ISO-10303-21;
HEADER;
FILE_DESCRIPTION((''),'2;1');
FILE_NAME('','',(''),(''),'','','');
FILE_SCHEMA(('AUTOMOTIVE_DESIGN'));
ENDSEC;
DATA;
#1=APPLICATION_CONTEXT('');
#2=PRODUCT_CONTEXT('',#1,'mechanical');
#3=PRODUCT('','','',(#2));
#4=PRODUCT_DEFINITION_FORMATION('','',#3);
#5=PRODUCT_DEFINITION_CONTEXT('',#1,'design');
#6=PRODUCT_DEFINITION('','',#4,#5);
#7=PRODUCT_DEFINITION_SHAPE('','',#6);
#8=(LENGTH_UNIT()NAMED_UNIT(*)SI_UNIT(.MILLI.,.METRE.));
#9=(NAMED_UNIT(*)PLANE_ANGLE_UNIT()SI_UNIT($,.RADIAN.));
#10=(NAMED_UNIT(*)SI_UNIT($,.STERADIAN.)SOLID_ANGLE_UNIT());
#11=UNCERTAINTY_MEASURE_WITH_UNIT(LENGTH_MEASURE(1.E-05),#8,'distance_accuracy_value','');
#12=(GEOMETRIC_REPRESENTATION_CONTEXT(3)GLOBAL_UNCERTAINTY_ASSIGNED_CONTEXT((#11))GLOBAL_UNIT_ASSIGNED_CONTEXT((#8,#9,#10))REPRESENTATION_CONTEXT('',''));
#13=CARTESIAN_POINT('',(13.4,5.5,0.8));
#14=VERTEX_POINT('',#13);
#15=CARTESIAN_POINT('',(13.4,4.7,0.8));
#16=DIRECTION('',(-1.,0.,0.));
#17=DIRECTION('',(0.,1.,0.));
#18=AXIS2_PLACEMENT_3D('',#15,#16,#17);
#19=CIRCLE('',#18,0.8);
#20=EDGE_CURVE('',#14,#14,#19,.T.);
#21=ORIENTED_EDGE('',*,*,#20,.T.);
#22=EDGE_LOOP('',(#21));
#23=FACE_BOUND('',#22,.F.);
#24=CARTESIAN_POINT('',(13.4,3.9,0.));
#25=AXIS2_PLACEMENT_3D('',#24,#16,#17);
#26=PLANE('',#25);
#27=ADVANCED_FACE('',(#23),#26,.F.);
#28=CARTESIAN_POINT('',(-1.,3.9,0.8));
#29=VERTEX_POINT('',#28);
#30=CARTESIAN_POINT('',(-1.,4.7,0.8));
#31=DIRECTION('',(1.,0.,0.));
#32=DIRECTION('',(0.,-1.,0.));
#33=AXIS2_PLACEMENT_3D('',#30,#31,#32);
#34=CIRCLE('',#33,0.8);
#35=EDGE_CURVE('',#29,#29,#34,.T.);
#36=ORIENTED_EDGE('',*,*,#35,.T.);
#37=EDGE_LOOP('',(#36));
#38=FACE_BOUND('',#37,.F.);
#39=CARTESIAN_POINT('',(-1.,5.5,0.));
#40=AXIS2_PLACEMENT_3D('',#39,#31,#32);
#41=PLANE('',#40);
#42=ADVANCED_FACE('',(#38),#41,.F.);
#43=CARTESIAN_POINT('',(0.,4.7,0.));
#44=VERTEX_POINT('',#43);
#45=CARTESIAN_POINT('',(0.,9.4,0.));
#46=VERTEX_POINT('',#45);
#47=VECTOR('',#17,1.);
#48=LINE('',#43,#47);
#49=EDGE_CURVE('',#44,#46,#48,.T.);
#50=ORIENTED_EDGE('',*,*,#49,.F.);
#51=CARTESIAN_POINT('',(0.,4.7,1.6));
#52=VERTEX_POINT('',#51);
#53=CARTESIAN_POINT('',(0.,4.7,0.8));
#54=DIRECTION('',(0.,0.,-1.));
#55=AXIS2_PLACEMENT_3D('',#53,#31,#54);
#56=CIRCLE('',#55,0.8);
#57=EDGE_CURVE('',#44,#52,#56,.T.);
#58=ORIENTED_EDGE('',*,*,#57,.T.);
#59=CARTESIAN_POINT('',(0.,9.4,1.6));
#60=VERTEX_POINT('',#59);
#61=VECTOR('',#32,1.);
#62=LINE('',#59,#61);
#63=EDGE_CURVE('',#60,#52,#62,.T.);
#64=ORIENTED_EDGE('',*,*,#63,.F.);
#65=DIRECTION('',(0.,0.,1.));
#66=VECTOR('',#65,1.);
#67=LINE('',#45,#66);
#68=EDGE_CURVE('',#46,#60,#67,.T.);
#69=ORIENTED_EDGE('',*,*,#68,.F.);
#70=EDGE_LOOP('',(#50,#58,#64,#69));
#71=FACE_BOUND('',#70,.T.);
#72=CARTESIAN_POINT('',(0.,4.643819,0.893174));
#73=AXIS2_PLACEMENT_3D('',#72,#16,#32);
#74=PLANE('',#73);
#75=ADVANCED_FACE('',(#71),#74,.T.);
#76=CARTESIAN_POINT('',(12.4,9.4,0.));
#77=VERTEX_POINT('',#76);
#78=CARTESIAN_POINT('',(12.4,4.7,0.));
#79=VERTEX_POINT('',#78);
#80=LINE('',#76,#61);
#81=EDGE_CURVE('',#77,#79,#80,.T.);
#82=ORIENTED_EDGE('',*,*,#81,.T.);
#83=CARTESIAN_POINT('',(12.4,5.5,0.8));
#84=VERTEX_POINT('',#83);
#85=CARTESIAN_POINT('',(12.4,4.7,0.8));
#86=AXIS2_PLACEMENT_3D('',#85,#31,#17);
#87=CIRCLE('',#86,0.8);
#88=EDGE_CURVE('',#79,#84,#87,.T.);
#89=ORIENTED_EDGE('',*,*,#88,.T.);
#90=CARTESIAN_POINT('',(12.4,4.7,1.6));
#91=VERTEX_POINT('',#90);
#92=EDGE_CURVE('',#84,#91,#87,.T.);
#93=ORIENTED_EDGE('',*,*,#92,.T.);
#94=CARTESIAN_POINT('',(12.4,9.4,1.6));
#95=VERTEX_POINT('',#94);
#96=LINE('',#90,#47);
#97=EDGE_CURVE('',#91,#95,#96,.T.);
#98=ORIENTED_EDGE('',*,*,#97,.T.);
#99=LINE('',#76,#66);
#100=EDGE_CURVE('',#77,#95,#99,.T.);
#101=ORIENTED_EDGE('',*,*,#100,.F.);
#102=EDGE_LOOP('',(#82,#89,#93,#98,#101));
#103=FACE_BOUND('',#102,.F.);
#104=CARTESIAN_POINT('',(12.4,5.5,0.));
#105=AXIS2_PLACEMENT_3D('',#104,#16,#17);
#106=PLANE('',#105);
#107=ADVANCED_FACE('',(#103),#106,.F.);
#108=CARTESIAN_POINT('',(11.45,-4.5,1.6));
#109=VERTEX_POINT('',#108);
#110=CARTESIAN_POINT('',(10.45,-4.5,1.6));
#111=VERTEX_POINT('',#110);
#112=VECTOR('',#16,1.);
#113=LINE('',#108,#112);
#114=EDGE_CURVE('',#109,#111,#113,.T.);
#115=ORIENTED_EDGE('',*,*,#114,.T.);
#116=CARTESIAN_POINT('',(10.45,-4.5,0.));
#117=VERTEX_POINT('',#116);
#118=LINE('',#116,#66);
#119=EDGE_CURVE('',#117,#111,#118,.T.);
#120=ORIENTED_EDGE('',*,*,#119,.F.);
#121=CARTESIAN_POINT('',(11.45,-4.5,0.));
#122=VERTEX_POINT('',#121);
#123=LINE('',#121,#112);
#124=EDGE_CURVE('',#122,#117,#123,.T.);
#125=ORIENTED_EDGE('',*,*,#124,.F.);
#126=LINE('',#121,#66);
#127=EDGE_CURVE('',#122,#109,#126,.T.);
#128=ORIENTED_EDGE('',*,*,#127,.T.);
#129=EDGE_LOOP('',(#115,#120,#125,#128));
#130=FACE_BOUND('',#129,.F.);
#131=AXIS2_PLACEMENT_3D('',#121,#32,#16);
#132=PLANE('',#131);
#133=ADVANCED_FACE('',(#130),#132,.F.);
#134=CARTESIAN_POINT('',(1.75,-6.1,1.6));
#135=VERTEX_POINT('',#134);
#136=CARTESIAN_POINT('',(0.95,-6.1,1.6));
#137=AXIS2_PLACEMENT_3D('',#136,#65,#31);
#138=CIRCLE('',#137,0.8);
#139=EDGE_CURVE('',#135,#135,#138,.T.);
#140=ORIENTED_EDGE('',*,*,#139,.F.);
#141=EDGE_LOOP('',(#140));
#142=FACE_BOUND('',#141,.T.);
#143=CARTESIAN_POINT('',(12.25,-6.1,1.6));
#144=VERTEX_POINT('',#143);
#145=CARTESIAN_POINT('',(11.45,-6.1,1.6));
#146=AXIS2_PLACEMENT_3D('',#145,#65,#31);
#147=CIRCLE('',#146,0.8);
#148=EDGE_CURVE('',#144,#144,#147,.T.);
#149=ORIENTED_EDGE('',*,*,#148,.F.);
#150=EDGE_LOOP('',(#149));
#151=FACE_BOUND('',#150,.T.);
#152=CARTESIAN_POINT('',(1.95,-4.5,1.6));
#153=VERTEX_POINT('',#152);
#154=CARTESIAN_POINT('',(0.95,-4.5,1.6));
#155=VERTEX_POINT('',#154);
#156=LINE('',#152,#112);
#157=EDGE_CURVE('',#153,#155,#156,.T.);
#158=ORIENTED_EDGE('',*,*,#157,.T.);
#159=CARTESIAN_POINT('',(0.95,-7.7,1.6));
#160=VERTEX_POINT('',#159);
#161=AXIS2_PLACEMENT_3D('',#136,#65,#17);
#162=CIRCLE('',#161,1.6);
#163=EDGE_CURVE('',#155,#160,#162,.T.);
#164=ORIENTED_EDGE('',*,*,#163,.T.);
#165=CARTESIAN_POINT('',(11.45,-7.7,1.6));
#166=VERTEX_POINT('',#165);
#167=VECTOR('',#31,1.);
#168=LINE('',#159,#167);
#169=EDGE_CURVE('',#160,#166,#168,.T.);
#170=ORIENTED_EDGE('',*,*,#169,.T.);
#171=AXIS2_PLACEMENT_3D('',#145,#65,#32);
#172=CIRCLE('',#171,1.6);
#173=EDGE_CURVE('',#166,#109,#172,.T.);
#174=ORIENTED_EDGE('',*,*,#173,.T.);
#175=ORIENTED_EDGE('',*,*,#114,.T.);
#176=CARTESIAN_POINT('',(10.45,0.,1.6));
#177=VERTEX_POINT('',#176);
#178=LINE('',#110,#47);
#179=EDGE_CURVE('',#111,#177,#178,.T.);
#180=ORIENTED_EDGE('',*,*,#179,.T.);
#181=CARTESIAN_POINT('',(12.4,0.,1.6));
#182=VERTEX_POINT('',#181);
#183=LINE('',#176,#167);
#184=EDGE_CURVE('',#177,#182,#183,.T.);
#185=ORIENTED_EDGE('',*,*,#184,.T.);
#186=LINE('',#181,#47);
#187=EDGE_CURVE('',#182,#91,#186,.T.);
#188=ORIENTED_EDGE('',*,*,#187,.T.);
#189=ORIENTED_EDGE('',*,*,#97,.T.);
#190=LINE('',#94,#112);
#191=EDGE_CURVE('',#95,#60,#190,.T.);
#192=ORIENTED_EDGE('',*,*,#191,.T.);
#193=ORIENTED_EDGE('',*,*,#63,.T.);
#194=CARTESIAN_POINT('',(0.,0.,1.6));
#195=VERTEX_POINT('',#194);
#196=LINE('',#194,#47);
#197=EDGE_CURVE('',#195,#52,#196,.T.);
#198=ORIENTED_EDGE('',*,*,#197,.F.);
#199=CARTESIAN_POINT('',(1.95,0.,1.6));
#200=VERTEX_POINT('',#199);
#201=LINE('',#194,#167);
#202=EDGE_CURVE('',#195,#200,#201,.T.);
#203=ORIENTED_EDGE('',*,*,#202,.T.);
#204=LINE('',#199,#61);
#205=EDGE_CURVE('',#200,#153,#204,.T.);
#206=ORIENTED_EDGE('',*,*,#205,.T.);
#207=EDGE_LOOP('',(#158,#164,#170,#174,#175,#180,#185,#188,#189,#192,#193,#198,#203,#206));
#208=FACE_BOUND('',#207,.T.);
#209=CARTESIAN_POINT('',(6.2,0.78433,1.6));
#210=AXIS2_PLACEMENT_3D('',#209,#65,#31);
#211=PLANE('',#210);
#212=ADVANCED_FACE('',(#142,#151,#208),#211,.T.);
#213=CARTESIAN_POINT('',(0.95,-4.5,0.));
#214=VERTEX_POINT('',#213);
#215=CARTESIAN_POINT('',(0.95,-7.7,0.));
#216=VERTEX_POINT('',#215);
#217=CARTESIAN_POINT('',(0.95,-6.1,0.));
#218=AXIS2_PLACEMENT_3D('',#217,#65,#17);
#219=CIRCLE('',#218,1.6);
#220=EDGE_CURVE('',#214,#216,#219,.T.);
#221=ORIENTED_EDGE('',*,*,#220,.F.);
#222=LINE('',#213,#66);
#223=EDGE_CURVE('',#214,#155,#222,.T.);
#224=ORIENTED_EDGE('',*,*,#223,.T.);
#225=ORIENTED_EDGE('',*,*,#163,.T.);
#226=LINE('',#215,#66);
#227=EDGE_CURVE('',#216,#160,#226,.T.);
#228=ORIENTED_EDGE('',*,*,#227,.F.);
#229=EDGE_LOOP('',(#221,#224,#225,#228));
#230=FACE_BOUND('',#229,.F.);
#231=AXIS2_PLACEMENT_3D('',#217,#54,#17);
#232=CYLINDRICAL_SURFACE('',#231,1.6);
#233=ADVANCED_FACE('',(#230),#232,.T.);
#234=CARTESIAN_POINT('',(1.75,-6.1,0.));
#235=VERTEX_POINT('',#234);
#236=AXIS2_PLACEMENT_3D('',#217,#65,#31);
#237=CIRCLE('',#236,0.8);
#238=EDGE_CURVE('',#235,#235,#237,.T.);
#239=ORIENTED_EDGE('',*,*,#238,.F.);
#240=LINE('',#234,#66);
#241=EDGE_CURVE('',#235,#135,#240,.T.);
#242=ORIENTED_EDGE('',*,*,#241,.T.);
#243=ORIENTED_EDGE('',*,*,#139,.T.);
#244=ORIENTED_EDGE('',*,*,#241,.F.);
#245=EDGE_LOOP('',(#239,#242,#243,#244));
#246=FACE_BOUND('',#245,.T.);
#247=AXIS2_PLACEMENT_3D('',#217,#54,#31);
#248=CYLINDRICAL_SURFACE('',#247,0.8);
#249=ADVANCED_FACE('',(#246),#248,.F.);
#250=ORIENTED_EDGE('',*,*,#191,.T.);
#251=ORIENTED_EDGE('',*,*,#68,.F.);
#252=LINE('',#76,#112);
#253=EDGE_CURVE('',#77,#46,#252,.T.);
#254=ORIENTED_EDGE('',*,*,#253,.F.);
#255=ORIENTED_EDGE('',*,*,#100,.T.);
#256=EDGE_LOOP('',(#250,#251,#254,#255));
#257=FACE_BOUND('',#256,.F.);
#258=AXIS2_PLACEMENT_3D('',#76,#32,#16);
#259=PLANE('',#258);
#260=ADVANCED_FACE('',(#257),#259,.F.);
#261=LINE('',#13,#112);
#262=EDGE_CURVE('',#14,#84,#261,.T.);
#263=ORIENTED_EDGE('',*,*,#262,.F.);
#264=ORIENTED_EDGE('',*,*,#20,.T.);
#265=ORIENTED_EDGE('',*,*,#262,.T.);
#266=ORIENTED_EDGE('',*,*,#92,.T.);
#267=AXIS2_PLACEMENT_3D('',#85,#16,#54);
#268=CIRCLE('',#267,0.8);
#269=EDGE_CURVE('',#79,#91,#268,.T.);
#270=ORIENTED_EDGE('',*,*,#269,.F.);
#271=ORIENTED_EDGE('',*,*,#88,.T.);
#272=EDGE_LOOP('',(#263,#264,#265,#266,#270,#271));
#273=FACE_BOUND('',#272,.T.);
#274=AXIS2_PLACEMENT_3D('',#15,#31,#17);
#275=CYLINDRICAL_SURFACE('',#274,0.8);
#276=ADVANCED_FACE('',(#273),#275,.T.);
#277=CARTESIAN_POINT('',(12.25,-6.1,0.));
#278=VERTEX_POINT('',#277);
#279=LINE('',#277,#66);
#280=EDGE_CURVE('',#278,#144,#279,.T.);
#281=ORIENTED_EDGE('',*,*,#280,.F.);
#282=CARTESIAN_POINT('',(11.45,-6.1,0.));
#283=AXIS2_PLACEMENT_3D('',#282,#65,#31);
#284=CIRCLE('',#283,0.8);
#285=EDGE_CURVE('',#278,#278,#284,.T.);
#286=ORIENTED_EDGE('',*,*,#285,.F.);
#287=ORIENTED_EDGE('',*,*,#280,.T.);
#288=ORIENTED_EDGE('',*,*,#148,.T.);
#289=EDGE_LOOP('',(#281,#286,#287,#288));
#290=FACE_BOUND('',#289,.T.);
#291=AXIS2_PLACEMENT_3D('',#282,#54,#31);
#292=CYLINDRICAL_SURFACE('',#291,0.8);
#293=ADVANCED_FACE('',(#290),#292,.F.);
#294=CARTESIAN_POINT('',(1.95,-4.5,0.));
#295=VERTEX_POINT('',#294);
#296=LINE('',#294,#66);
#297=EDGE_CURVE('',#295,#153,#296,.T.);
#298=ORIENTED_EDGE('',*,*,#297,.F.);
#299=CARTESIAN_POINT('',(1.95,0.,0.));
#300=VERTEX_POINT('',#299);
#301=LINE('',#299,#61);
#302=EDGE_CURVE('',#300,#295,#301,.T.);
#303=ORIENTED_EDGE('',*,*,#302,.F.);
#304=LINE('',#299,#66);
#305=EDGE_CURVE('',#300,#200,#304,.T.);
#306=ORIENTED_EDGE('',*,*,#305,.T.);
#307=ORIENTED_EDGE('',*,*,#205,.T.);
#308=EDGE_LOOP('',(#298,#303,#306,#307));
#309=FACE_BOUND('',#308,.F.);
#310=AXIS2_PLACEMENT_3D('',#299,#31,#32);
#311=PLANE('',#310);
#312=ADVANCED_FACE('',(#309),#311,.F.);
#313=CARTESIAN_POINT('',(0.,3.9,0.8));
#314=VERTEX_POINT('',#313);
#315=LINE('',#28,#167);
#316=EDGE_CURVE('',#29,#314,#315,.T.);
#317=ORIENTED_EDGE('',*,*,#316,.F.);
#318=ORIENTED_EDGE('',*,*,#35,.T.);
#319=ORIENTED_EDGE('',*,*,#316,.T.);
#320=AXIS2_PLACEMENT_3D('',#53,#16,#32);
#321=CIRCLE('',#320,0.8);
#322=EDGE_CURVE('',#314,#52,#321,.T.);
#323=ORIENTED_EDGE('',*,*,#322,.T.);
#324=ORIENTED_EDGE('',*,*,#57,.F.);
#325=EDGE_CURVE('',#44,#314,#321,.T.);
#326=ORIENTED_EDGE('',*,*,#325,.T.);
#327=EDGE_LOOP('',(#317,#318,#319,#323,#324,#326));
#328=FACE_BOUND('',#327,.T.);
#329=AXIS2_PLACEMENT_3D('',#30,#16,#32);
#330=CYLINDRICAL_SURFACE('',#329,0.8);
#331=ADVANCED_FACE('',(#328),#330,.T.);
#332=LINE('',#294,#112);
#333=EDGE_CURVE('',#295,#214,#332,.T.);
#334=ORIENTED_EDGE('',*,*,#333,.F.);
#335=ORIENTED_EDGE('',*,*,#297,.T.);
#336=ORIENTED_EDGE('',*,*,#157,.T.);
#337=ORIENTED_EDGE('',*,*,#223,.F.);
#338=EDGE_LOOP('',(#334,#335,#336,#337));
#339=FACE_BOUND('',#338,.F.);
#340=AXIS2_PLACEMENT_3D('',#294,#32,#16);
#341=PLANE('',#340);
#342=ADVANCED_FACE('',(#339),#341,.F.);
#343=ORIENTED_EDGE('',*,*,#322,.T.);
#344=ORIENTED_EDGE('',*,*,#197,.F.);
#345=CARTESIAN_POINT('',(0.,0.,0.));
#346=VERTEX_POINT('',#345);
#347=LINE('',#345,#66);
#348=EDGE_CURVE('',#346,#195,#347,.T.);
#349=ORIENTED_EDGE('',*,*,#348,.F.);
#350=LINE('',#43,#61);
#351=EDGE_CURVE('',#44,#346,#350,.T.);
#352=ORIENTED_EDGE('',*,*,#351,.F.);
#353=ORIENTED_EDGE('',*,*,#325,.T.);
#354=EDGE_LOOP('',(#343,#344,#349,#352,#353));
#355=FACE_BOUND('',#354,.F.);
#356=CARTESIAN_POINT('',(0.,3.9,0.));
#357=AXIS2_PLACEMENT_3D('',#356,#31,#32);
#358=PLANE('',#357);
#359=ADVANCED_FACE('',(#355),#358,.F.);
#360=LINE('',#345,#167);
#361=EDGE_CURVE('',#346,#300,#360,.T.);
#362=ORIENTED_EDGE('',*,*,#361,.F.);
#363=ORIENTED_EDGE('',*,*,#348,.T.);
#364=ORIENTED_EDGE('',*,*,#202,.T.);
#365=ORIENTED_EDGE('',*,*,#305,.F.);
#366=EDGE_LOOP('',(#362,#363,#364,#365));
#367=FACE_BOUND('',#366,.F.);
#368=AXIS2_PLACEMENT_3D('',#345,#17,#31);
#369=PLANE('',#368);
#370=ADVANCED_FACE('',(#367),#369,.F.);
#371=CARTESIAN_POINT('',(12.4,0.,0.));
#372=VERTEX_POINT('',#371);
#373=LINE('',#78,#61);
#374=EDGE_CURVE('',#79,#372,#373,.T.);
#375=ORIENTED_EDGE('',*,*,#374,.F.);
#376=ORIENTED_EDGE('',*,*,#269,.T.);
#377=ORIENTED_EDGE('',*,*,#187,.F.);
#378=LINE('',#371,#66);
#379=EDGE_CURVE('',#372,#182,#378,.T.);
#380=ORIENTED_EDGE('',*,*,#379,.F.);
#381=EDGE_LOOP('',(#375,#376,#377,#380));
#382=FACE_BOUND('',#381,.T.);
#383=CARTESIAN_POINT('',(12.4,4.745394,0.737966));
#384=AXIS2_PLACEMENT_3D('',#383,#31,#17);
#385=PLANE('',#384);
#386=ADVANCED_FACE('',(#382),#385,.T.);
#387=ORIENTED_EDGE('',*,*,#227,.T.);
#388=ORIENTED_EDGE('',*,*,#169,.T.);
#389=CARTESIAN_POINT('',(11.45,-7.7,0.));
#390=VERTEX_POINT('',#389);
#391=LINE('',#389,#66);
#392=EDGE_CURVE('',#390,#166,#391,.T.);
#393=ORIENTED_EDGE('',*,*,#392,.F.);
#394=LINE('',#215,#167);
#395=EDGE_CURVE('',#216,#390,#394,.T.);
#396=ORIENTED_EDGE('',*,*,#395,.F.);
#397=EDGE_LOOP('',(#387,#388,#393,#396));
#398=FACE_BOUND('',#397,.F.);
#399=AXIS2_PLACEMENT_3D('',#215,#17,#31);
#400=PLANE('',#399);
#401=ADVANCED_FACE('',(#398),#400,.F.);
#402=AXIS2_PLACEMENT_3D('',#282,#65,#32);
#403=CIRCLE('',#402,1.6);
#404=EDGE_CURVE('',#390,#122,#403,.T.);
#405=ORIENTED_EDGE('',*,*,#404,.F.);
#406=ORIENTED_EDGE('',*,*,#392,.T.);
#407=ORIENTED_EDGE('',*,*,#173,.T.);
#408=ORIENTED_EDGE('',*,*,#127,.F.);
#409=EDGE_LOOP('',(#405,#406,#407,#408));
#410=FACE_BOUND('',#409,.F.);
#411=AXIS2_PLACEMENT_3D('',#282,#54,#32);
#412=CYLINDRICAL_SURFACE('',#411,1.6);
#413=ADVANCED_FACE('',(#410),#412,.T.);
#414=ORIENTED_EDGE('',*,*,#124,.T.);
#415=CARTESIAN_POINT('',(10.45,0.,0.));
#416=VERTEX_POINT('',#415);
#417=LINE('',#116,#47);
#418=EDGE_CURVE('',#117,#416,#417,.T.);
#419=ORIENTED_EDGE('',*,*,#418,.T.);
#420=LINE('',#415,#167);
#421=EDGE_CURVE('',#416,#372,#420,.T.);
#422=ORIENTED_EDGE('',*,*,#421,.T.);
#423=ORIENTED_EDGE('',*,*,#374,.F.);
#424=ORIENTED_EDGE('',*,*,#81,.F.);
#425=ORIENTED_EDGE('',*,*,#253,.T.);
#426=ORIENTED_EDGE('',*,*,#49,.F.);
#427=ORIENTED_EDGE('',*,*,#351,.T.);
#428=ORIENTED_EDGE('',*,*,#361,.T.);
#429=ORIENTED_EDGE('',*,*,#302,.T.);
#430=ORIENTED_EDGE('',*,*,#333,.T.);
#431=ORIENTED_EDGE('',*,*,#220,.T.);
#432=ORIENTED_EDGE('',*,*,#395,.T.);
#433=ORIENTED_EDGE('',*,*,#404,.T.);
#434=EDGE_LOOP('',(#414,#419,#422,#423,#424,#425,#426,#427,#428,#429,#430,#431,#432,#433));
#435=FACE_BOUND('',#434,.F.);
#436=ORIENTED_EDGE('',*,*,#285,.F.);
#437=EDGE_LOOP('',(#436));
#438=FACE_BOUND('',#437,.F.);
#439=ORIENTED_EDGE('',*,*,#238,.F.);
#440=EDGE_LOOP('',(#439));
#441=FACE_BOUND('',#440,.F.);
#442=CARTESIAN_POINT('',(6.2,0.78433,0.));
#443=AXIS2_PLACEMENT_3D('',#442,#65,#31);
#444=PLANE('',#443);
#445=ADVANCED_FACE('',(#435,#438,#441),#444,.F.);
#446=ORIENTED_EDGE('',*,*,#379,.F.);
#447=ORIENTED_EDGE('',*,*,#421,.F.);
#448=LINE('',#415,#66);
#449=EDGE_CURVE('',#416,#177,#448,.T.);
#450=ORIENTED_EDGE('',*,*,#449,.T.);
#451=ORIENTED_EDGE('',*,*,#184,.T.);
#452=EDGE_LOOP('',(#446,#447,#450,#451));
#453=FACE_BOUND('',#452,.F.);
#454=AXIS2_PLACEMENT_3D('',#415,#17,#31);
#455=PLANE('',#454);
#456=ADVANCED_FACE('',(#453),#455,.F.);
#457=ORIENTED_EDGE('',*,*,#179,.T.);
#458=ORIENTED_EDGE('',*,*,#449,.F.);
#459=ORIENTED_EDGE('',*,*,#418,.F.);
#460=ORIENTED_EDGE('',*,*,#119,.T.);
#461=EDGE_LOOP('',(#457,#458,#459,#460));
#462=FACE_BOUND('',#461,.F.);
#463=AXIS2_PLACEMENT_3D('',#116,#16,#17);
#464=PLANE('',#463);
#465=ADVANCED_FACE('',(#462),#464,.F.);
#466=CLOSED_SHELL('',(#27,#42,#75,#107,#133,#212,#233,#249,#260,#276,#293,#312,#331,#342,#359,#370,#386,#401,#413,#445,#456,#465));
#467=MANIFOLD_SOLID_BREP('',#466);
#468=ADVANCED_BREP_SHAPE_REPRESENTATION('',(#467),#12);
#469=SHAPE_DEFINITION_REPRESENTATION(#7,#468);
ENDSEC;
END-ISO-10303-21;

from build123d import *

# Parameters (mm, degrees)
F0_R     = 0.8
F1_DEPTH = 1.6
F2_W     = 3.14566
F2_H     = 3.226229
F2_R     = 0.8
F3_DEPTH = 1
F4_W     = 2.903376
F4_H     = 2.958158
F4_R     = 0.8
F5_DEPTH = 1


with BuildPart() as f1:
    # F0 (on Top) → F1 (new body)
    with BuildSketch(Plane.XY):
        with BuildLine():
            Line((0, 3.9), (0, 0))
            Line((0, 0), (1.95, 0))
            Line((1.95, 0), (1.95, -4.5))
            Line((1.95, -4.5), (0.95, -4.5))
            ThreePointArc((0.95, -4.5), (-0.65, -6.1), (0.95, -7.7))
            Line((0.95, -7.7), (11.45, -7.7))
            ThreePointArc((11.45, -7.7), (13.05, -6.1), (11.45, -4.5))
            Line((11.45, -4.5), (10.45, -4.5))
            Line((10.45, -4.5), (10.45, 0))
            Line((10.45, 0), (12.4, 0))
            Line((12.4, 0), (12.4, 3.9))
            Line((12.4, 3.9), (13.4, 3.9))
            Line((13.4, 3.9), (13.4, 5.5))
            Line((13.4, 5.5), (12.4, 5.5))
            Line((12.4, 5.5), (12.4, 9.4))
            Line((12.4, 9.4), (0, 9.4))
            Line((0, 9.4), (0, 5.5))
            Line((0, 5.5), (-1, 5.5))
            Line((-1, 5.5), (-1, 3.9))
            Line((-1, 3.9), (0, 3.9))
        make_face()
        with Locations((0.95, -6.1)):
            Circle(F0_R, mode=Mode.SUBTRACT)
        with Locations((11.45, -6.1)):
            Circle(F0_R, mode=Mode.SUBTRACT)
    extrude(amount=F1_DEPTH)

    # F2 (on face) → F3 (cut, through all)
    with BuildSketch(Plane(origin=(-1, 0, 0), x_dir=(0, -1, 0), z_dir=(-1, 0, 0))):
        with Locations((-4.643819, 0.893174)):
            Rectangle(F2_W, F2_H)
        with Locations((-4.7, 0.8)):
            Circle(F2_R, mode=Mode.SUBTRACT)
    extrude(amount=-F3_DEPTH, mode=Mode.SUBTRACT)

    # F4 (on face) → F5 (cut, through all)
    with BuildSketch(Plane.YZ.offset(13.4)):
        with Locations((4.745394, 0.737966)):
            Rectangle(F4_W, F4_H)
        with Locations((4.7, 0.8)):
            Circle(F4_R, mode=Mode.SUBTRACT)
    extrude(amount=-F5_DEPTH, mode=Mode.SUBTRACT)


solid = f1.part
